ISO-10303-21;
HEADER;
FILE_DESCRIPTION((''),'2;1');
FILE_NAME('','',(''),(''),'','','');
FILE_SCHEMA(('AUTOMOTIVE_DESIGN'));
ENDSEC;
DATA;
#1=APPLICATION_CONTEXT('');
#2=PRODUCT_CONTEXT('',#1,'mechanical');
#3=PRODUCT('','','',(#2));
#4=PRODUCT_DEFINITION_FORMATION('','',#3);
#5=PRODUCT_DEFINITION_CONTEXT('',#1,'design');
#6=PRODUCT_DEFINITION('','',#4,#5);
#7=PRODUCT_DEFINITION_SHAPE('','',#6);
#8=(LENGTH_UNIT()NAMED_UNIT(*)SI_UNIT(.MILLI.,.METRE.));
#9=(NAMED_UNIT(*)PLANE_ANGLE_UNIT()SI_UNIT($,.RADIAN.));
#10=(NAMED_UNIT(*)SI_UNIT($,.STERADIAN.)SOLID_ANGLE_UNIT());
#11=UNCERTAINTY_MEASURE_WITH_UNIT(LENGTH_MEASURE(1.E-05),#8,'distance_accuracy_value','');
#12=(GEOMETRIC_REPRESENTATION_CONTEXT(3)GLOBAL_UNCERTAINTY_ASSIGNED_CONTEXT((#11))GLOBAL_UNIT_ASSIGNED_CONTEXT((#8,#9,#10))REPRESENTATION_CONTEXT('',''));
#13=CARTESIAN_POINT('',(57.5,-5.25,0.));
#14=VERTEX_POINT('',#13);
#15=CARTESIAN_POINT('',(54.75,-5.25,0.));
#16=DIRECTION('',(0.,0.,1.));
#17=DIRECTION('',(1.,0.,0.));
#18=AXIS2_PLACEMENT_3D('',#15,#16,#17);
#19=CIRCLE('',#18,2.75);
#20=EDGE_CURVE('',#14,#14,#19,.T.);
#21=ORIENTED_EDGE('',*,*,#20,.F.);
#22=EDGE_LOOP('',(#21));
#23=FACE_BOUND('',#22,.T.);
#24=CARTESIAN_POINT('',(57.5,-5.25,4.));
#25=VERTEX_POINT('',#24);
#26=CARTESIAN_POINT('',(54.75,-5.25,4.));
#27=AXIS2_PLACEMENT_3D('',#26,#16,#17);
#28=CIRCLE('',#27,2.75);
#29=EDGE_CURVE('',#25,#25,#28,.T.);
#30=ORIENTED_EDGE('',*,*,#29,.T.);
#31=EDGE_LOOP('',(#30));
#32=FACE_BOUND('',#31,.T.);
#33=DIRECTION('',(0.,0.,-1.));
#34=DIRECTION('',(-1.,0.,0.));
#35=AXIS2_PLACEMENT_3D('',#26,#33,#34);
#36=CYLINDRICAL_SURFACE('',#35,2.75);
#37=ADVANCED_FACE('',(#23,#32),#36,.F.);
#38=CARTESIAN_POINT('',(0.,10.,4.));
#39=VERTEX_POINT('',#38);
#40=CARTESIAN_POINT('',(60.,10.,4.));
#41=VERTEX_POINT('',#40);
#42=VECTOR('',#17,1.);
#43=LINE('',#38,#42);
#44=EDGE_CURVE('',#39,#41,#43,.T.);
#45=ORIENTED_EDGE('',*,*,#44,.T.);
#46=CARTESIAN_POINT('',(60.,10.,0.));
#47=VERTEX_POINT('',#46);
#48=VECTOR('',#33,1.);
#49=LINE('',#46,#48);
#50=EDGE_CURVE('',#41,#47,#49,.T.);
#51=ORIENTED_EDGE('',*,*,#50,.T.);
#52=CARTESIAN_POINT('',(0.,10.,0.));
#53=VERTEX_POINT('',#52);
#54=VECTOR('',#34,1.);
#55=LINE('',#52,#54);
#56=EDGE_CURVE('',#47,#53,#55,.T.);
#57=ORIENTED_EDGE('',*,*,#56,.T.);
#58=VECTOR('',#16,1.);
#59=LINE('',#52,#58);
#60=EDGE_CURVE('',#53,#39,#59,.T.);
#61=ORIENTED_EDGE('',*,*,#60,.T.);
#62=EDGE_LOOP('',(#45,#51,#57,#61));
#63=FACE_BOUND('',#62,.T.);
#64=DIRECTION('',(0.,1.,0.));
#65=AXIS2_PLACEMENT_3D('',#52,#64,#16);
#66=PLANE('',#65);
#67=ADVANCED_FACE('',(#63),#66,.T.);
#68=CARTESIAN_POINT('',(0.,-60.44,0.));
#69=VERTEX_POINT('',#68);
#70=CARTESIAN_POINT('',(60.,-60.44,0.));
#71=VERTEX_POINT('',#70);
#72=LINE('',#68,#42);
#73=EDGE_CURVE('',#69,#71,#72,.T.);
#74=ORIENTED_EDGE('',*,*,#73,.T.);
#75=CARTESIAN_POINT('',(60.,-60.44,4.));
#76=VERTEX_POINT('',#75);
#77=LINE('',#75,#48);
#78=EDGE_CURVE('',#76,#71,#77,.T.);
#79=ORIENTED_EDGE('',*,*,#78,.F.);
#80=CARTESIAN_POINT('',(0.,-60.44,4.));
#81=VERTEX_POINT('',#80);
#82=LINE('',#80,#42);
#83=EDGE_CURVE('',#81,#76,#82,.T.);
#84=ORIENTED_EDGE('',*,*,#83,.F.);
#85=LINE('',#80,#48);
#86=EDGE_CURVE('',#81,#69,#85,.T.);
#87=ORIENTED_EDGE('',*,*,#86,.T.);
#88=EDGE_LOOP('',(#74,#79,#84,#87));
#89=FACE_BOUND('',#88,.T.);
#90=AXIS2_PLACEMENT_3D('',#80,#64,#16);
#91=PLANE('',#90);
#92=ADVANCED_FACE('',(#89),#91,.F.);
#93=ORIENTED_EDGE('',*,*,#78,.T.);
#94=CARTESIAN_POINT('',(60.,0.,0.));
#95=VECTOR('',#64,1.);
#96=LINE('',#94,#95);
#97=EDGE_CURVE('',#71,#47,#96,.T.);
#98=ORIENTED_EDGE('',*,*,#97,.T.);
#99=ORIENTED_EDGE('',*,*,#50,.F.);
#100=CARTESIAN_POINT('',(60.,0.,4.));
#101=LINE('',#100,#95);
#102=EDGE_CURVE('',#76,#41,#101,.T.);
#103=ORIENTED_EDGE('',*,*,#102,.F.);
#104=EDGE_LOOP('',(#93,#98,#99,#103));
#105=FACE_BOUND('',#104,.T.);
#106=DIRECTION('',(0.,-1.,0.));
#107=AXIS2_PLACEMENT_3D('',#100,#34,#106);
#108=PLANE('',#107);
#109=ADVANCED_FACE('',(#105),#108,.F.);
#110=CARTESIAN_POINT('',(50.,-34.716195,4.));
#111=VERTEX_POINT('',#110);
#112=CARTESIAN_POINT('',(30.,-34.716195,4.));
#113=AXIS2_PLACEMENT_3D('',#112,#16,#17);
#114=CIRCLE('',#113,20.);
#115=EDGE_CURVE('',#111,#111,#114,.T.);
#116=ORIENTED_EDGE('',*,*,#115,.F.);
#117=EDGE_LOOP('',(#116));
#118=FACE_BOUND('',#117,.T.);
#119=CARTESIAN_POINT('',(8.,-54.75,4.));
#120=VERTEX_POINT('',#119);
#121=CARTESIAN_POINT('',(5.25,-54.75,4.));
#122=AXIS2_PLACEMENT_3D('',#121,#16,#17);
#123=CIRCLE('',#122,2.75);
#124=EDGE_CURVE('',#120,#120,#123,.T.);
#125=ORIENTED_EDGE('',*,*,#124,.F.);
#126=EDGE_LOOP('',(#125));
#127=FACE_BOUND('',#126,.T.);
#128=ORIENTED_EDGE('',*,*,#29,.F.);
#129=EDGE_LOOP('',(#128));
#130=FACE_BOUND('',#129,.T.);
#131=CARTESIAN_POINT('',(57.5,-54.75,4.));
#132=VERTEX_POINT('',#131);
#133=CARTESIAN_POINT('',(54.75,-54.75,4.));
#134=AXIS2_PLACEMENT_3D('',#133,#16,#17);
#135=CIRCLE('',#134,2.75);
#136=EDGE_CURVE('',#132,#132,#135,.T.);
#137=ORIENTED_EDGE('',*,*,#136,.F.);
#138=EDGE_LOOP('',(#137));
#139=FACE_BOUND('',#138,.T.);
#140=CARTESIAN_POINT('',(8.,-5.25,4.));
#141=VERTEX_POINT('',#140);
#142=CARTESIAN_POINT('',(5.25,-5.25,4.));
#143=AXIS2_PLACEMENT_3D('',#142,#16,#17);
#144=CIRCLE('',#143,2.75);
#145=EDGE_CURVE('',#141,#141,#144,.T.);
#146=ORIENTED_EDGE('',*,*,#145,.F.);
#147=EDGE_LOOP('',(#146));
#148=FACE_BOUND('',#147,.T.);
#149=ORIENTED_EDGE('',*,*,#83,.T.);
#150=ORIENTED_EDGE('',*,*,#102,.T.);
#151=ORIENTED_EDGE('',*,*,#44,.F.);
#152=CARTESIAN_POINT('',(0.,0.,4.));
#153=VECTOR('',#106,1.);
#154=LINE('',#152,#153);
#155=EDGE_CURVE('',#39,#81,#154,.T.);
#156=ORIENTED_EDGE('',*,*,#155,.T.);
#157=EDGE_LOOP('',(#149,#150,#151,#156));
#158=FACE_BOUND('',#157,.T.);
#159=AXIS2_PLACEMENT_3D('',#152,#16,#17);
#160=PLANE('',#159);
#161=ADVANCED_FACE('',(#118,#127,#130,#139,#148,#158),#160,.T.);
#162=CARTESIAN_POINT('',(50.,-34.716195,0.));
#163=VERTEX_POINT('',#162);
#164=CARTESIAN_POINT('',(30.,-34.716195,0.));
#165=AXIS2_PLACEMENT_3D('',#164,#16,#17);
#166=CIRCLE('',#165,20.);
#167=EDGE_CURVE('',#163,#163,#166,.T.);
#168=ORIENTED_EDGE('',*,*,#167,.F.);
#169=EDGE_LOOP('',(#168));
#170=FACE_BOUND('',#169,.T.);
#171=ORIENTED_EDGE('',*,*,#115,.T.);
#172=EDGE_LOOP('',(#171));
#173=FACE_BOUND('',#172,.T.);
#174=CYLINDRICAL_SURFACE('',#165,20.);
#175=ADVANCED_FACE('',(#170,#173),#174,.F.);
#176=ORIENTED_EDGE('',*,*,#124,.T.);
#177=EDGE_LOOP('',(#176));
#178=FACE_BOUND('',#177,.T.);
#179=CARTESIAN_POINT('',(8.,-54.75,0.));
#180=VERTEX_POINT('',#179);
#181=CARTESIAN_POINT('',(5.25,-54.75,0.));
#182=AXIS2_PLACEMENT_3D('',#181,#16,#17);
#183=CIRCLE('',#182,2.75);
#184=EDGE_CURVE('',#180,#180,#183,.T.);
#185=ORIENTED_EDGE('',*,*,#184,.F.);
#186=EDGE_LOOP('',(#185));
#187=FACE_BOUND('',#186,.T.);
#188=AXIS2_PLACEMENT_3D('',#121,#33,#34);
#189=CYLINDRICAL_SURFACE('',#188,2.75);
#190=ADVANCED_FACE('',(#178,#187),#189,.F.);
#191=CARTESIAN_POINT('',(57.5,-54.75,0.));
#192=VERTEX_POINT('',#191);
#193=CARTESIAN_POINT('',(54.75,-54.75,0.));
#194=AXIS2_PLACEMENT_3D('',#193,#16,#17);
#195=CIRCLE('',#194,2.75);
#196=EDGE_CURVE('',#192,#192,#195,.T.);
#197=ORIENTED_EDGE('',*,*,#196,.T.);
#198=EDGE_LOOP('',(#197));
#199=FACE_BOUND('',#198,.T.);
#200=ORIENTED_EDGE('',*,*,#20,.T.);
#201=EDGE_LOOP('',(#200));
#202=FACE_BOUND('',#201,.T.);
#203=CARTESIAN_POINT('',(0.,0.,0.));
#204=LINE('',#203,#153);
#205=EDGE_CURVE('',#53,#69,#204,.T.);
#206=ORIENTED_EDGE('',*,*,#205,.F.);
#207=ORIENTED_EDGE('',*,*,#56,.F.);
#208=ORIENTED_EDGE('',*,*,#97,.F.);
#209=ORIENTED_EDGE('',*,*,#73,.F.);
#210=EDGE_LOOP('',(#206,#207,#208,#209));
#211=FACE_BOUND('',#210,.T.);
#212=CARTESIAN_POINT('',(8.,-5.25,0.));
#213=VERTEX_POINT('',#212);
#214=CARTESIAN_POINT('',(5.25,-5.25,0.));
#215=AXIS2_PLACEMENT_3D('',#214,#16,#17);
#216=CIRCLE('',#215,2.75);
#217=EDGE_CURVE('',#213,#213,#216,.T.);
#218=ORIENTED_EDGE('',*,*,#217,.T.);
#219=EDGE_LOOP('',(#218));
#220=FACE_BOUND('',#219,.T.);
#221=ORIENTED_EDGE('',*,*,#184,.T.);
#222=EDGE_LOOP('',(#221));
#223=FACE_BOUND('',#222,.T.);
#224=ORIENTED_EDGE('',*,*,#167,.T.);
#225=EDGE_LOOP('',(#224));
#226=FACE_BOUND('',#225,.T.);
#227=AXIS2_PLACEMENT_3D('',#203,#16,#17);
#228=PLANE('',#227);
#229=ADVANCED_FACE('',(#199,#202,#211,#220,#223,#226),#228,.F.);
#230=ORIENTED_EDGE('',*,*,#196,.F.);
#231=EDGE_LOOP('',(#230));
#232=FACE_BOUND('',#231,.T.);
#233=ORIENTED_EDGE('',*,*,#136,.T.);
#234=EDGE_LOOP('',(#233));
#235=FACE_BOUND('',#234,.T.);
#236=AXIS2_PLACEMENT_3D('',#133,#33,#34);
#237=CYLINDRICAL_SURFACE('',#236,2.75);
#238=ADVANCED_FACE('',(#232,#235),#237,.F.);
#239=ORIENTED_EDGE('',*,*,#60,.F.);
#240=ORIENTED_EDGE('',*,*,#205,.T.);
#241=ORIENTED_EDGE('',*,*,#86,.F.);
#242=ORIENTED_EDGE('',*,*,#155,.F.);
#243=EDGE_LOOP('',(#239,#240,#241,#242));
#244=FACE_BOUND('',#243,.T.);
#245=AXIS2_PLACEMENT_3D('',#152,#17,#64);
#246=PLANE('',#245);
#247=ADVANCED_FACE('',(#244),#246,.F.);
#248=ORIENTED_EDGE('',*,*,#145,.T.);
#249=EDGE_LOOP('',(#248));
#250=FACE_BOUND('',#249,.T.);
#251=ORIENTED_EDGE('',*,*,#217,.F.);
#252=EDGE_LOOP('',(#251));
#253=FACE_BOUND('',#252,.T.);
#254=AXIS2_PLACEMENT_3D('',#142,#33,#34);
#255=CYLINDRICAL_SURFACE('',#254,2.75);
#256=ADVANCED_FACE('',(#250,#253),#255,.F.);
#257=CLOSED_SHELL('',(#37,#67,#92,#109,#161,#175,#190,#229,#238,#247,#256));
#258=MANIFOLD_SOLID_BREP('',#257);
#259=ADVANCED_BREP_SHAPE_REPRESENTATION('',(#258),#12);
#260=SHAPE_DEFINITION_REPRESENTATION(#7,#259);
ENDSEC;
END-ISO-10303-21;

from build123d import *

# Parameters (mm, degrees)
SKETCH_1_W          = 60
SKETCH_1_H          = 60.44
SKETCH_1_R          = 2.75
EXTRUDE_1_DEPTH     = 4
SKETCH_3_R          = 20
CUT_EXTRUDE_1_DEPTH = 5
SKETCH_6_W          = 60
SKETCH_6_H          = 4
EXTRUDE_2_DEPTH     = 10


with BuildPart() as part:
    # 草圖1 → 填料-伸長1 (new body)
    with BuildSketch(Plane.XY):
        with Locations((30, -30.22)):
            Rectangle(SKETCH_1_W, SKETCH_1_H)
        with Locations((5.25, -5.25)):
            Circle(SKETCH_1_R, mode=Mode.SUBTRACT)
        with Locations((54.75, -5.25)):
            Circle(SKETCH_1_R, mode=Mode.SUBTRACT)
        with Locations((5.25, -54.75)):
            Circle(SKETCH_1_R, mode=Mode.SUBTRACT)
        with Locations((54.75, -54.75)):
            Circle(SKETCH_1_R, mode=Mode.SUBTRACT)
    extrude(amount=EXTRUDE_1_DEPTH)

    # 草圖3 → 除料-伸長1 (cut, through all)
    with BuildSketch(Plane.XY.offset(4)):
        with Locations((30, -34.716194978)):
            Circle(SKETCH_3_R)
    extrude(amount=-CUT_EXTRUDE_1_DEPTH, mode=Mode.SUBTRACT)

    # 草圖6 → 填料-伸長2 (add)
    with BuildSketch(Plane(origin=(0, 0, 0), x_dir=(1, 0, 0), z_dir=(0, 1, 0))):
        with Locations((30, -2)):
            Rectangle(SKETCH_6_W, SKETCH_6_H)
    extrude(amount=EXTRUDE_2_DEPTH)


solid = part.part
